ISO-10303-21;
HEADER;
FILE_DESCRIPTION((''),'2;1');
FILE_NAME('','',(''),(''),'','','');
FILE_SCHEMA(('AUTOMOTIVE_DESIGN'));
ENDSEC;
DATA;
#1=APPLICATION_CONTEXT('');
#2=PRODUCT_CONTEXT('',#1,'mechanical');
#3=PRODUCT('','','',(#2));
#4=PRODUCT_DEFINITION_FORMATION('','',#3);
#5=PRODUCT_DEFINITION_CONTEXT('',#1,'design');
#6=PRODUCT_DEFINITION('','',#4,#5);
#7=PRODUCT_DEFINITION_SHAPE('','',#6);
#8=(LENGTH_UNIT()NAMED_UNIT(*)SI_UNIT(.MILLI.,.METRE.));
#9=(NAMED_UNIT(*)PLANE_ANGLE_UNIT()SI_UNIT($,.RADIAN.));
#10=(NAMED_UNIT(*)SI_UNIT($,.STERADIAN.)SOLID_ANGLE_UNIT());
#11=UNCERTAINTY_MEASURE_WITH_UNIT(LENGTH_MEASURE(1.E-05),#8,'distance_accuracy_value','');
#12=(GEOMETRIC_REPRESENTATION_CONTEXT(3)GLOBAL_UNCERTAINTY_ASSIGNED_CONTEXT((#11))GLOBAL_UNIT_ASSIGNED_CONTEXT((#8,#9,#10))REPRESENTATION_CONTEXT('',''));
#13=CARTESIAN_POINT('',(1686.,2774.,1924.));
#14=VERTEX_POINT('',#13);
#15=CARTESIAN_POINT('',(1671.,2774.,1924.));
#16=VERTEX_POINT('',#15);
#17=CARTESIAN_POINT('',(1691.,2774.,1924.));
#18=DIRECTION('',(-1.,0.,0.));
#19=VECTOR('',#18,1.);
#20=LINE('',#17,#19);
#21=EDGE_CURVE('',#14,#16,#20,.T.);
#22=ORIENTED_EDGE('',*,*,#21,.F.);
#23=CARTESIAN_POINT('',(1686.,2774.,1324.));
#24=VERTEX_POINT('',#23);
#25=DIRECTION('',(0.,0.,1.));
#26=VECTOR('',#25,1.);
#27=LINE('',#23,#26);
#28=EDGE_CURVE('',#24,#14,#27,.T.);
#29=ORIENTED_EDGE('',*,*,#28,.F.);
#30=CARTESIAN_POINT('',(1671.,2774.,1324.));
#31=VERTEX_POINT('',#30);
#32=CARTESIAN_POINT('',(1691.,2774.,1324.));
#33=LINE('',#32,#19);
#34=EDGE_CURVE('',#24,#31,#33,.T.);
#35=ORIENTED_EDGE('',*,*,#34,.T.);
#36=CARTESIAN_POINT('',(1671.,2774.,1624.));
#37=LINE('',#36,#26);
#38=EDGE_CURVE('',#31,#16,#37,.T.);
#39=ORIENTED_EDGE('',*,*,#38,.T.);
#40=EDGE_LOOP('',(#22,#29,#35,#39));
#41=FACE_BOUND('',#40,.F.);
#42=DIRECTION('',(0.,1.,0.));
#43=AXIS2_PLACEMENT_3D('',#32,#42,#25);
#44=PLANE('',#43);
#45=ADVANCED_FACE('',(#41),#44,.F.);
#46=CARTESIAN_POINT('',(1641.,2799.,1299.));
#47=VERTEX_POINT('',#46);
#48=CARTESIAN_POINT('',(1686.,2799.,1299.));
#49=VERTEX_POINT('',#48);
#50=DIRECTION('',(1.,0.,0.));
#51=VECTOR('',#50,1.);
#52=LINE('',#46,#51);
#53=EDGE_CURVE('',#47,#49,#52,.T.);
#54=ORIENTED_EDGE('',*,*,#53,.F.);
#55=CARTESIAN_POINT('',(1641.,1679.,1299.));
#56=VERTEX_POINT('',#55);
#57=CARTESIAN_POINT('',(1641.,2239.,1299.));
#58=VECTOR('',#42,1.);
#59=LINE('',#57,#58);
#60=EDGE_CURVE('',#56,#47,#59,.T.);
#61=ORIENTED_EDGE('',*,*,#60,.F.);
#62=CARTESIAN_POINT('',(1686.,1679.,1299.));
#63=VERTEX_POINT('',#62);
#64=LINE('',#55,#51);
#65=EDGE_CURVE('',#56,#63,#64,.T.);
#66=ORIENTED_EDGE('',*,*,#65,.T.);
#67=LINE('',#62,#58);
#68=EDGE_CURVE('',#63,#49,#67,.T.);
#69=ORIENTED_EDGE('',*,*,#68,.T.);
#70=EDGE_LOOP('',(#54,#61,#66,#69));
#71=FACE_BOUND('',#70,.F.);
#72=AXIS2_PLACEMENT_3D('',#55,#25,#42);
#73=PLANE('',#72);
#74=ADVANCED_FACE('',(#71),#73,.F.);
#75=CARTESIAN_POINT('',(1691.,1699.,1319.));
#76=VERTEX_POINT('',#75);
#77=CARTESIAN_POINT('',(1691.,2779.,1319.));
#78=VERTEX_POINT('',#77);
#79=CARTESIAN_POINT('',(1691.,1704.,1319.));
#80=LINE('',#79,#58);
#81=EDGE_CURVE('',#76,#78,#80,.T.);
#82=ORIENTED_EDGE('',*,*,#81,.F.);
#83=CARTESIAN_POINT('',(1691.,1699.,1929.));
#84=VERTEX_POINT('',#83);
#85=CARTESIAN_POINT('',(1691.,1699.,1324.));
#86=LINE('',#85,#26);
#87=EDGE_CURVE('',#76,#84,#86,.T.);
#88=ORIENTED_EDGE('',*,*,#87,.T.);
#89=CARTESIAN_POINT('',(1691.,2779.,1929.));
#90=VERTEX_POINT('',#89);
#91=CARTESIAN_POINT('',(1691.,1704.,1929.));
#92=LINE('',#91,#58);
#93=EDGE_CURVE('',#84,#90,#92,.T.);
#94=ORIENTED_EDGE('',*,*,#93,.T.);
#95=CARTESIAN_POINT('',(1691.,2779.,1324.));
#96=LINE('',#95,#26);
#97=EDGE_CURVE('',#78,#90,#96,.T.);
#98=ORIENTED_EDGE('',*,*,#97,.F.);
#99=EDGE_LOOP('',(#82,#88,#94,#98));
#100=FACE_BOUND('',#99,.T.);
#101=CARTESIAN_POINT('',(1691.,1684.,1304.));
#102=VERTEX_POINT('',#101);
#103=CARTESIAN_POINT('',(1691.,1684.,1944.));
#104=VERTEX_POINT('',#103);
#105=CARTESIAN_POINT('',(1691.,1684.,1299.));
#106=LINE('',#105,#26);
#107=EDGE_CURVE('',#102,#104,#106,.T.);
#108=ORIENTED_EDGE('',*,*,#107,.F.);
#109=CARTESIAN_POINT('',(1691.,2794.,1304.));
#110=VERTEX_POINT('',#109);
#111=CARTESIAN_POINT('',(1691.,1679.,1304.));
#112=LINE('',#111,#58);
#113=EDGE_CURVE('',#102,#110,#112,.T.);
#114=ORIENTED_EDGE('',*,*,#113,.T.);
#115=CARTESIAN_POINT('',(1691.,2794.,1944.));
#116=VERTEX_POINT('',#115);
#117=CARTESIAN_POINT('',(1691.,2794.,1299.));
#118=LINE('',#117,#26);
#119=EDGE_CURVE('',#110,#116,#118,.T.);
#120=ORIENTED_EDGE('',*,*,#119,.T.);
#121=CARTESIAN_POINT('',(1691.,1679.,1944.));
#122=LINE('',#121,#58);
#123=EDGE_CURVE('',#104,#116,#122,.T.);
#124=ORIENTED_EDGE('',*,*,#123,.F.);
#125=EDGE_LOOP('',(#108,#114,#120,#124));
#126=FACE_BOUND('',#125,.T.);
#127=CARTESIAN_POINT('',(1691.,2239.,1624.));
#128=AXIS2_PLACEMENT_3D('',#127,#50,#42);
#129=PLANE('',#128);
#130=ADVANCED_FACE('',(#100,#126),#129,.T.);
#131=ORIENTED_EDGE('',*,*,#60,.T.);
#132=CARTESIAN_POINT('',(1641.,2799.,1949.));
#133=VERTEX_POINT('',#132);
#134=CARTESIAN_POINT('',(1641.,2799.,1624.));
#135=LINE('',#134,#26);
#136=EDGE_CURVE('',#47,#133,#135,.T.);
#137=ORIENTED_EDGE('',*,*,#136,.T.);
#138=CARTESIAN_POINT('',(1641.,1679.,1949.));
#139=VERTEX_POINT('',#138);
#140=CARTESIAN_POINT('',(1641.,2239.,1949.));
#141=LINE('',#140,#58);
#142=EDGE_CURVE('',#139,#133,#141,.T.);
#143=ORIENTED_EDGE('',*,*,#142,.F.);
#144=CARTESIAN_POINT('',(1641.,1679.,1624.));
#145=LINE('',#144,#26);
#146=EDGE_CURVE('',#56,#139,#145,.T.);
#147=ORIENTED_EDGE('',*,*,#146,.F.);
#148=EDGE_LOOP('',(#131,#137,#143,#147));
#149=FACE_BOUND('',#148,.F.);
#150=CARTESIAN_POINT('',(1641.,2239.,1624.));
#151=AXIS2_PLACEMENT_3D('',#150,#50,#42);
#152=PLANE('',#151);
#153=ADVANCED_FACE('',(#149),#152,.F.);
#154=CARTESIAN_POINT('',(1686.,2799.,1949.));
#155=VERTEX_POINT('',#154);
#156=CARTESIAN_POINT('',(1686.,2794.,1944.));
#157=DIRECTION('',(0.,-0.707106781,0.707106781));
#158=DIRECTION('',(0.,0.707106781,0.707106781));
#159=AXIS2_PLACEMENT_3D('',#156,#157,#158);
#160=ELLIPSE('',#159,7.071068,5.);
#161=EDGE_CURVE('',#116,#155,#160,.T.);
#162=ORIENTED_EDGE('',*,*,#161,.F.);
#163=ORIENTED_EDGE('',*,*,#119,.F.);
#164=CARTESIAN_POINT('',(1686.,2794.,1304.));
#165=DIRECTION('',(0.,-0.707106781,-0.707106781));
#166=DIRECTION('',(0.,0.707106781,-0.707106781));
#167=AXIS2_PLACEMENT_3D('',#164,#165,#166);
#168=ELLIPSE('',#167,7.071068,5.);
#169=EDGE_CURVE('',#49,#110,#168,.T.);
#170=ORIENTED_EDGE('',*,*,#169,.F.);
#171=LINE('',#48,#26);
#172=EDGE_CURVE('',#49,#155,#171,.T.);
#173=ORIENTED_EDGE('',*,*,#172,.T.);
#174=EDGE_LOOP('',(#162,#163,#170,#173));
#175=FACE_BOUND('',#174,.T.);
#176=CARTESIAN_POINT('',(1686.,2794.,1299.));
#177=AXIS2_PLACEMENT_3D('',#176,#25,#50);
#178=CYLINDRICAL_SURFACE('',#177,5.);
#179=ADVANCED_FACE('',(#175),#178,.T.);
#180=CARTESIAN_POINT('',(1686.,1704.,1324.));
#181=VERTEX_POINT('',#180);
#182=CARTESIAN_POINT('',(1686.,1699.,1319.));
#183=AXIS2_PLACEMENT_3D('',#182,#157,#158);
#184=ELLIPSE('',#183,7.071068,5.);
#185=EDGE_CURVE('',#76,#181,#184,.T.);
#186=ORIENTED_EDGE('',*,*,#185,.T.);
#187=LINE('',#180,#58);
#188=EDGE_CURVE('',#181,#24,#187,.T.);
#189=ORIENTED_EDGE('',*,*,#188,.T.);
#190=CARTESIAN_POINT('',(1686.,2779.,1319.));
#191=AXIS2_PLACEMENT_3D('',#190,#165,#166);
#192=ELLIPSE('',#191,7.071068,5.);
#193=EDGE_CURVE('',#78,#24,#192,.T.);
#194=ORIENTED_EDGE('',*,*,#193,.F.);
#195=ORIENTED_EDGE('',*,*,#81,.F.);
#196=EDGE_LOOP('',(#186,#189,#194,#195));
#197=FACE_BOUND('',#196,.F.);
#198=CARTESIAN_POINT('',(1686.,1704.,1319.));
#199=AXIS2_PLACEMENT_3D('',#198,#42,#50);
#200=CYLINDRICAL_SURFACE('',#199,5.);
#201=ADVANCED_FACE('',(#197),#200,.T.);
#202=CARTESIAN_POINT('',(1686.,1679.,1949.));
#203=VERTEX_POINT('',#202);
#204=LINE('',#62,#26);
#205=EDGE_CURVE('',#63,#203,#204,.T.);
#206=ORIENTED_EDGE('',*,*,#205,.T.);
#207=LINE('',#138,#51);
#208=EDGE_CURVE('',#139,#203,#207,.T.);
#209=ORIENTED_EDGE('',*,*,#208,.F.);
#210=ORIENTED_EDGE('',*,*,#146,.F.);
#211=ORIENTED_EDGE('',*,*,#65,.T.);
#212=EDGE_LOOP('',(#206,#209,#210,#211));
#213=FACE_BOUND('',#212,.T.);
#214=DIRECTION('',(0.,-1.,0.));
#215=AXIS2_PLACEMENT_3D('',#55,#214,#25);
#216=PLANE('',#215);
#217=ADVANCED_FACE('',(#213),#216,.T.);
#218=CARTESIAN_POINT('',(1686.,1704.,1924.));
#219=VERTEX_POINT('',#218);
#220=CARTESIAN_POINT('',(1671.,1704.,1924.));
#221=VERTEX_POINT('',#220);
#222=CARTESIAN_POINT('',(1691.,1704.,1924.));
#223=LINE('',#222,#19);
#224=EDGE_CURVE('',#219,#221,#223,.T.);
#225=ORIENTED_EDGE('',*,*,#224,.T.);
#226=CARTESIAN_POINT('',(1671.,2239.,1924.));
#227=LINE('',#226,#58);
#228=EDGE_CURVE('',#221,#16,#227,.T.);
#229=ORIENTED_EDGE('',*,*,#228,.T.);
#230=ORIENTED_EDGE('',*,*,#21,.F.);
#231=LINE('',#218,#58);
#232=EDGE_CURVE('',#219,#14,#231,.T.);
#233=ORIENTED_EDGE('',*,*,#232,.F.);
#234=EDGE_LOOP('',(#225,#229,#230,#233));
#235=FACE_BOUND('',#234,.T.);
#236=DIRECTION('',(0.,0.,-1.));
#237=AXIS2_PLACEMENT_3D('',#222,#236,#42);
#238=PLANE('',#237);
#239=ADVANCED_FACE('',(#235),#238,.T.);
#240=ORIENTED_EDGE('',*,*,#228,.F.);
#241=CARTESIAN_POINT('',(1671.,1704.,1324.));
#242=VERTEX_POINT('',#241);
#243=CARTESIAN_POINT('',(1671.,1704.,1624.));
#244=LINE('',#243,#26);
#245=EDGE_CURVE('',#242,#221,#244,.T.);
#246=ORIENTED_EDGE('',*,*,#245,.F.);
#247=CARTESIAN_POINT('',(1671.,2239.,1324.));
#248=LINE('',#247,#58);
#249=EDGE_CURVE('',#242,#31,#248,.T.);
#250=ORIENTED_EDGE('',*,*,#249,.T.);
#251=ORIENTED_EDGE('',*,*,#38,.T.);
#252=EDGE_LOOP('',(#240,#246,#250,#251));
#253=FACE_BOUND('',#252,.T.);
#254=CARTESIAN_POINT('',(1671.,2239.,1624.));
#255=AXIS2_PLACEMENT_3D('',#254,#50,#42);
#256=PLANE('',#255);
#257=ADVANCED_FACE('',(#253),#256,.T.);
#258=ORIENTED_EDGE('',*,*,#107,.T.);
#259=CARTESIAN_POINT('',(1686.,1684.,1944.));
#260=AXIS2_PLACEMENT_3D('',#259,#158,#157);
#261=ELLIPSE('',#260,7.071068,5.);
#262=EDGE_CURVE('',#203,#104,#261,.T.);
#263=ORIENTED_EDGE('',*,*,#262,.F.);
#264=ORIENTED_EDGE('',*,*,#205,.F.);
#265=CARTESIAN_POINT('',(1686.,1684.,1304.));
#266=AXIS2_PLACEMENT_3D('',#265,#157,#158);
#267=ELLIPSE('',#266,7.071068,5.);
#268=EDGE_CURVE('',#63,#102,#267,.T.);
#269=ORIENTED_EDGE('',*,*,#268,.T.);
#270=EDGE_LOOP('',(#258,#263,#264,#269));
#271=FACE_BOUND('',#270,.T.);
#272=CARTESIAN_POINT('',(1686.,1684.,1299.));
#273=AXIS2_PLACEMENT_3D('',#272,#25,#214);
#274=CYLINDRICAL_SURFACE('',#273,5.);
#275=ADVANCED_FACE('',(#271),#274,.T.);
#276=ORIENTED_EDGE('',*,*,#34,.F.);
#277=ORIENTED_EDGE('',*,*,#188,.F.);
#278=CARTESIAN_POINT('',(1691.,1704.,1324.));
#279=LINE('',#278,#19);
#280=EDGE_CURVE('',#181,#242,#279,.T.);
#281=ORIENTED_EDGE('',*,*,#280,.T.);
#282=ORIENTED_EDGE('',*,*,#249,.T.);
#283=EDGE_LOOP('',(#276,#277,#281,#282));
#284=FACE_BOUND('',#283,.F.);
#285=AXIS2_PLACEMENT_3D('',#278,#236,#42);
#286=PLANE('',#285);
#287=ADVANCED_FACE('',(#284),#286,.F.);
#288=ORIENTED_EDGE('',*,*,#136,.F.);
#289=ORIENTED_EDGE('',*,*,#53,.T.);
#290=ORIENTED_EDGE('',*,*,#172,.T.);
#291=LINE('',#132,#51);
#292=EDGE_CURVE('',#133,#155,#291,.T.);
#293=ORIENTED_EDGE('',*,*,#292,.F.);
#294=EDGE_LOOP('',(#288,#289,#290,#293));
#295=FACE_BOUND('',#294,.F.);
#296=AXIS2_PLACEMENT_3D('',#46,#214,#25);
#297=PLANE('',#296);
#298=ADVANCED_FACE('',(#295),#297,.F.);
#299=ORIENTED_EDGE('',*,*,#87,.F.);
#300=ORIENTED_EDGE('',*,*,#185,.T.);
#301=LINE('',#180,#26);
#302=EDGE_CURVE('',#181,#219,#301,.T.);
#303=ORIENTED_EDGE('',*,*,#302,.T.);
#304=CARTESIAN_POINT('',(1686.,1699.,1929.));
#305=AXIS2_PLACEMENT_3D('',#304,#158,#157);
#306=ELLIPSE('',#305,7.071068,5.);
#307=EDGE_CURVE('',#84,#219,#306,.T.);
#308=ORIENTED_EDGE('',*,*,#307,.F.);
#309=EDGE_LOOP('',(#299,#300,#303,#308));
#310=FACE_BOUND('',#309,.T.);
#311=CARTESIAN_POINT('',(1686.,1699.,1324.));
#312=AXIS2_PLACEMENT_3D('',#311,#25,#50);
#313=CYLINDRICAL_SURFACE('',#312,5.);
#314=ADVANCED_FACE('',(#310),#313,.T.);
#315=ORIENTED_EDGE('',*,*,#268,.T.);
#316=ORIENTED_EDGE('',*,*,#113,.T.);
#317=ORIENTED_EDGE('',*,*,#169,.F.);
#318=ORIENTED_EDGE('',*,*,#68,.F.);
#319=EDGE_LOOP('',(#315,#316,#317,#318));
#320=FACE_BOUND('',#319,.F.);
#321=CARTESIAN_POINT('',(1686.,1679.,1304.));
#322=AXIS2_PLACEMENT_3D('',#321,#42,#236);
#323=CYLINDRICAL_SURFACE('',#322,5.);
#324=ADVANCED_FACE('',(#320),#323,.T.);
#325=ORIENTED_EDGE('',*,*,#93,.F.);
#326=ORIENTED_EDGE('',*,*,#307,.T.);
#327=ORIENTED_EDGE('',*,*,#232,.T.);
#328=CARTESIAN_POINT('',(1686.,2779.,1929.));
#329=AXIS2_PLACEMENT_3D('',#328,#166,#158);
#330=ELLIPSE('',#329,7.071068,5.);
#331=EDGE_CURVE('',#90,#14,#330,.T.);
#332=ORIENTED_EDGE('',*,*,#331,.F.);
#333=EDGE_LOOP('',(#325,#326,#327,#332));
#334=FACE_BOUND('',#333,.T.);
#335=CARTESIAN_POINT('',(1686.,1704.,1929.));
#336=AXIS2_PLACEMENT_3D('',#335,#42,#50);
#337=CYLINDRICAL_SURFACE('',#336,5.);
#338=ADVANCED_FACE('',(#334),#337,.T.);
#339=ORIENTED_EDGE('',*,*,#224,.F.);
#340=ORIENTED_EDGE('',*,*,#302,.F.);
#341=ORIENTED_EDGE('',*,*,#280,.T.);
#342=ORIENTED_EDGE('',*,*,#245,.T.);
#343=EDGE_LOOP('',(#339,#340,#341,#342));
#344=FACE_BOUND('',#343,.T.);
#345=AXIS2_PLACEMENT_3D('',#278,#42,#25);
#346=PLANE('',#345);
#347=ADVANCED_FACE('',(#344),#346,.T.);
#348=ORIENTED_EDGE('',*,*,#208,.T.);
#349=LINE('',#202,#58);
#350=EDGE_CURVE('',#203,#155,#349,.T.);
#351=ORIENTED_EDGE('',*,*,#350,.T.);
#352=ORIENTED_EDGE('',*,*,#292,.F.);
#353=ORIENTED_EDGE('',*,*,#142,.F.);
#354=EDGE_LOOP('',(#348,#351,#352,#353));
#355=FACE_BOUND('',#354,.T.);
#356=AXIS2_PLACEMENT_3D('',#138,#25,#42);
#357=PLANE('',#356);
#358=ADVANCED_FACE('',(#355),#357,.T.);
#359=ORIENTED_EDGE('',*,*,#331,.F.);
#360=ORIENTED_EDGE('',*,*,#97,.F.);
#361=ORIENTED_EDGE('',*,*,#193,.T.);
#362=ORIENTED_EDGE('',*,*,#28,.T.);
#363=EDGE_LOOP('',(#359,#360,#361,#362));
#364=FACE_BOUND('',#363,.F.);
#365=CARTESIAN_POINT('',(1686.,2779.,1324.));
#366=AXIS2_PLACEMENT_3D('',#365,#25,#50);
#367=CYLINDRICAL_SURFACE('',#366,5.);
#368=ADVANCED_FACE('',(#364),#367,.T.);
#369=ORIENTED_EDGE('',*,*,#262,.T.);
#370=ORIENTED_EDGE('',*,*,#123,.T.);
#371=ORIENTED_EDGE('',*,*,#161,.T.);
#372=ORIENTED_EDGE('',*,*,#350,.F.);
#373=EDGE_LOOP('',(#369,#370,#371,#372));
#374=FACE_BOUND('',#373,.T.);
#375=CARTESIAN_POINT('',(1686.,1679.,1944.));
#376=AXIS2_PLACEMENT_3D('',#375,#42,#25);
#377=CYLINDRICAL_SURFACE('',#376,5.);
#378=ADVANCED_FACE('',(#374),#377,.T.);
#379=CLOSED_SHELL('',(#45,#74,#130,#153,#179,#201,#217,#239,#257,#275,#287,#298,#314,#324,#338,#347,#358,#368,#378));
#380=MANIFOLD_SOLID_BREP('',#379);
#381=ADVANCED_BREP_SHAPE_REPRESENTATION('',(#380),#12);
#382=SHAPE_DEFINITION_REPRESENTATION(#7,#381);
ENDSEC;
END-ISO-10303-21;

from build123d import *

# Parameters (mm, degrees)
SKETCH625_W             = 1120
SKETCH625_H             = 650
PAD299_DEPTH            = 50
SKETCH626_W             = 1070
SKETCH626_H             = 600
POCKET007_DEPTH         = 20
FILLET210_R             = 5
BODY126_PLACEMENT_ANGLE = 90


with BuildPart() as part:
    # Sketch625 → Pad299 (new body)
    with BuildSketch(Plane.XZ):
        with Locations((560, 325)):
            Rectangle(SKETCH625_W, SKETCH625_H)
    extrude(amount=PAD299_DEPTH)

    # Sketch626 (on Face6 of Pad299) → Pocket007 (cut)
    with BuildSketch(Plane.XZ.offset(50)):
        with Locations((560, 325)):
            Rectangle(SKETCH626_W, SKETCH626_H)
    extrude(amount=-POCKET007_DEPTH, mode=Mode.SUBTRACT)

    # Fillet210
    fillet210_edges = [part.edges().sort_by_distance(p)[0] for p in [
        (560, -50, 0),
        (0, -50, 325),
        (1120, -50, 325),
        (560, -50, 650),
        (25, -50, 325),
        (560, -50, 25),
        (1095, -50, 325),
        (560, -50, 625),
    ]]
    fillet(fillet210_edges, radius=FILLET210_R)


with BuildPart() as part_1:
    # Body126 placement: moved
    add(part.part.moved(Location((1641, 1679, 1299))).rotate(Axis((1641, 1679, 1299), (0, 0, 1)), BODY126_PLACEMENT_ANGLE))


solid = part_1.part
